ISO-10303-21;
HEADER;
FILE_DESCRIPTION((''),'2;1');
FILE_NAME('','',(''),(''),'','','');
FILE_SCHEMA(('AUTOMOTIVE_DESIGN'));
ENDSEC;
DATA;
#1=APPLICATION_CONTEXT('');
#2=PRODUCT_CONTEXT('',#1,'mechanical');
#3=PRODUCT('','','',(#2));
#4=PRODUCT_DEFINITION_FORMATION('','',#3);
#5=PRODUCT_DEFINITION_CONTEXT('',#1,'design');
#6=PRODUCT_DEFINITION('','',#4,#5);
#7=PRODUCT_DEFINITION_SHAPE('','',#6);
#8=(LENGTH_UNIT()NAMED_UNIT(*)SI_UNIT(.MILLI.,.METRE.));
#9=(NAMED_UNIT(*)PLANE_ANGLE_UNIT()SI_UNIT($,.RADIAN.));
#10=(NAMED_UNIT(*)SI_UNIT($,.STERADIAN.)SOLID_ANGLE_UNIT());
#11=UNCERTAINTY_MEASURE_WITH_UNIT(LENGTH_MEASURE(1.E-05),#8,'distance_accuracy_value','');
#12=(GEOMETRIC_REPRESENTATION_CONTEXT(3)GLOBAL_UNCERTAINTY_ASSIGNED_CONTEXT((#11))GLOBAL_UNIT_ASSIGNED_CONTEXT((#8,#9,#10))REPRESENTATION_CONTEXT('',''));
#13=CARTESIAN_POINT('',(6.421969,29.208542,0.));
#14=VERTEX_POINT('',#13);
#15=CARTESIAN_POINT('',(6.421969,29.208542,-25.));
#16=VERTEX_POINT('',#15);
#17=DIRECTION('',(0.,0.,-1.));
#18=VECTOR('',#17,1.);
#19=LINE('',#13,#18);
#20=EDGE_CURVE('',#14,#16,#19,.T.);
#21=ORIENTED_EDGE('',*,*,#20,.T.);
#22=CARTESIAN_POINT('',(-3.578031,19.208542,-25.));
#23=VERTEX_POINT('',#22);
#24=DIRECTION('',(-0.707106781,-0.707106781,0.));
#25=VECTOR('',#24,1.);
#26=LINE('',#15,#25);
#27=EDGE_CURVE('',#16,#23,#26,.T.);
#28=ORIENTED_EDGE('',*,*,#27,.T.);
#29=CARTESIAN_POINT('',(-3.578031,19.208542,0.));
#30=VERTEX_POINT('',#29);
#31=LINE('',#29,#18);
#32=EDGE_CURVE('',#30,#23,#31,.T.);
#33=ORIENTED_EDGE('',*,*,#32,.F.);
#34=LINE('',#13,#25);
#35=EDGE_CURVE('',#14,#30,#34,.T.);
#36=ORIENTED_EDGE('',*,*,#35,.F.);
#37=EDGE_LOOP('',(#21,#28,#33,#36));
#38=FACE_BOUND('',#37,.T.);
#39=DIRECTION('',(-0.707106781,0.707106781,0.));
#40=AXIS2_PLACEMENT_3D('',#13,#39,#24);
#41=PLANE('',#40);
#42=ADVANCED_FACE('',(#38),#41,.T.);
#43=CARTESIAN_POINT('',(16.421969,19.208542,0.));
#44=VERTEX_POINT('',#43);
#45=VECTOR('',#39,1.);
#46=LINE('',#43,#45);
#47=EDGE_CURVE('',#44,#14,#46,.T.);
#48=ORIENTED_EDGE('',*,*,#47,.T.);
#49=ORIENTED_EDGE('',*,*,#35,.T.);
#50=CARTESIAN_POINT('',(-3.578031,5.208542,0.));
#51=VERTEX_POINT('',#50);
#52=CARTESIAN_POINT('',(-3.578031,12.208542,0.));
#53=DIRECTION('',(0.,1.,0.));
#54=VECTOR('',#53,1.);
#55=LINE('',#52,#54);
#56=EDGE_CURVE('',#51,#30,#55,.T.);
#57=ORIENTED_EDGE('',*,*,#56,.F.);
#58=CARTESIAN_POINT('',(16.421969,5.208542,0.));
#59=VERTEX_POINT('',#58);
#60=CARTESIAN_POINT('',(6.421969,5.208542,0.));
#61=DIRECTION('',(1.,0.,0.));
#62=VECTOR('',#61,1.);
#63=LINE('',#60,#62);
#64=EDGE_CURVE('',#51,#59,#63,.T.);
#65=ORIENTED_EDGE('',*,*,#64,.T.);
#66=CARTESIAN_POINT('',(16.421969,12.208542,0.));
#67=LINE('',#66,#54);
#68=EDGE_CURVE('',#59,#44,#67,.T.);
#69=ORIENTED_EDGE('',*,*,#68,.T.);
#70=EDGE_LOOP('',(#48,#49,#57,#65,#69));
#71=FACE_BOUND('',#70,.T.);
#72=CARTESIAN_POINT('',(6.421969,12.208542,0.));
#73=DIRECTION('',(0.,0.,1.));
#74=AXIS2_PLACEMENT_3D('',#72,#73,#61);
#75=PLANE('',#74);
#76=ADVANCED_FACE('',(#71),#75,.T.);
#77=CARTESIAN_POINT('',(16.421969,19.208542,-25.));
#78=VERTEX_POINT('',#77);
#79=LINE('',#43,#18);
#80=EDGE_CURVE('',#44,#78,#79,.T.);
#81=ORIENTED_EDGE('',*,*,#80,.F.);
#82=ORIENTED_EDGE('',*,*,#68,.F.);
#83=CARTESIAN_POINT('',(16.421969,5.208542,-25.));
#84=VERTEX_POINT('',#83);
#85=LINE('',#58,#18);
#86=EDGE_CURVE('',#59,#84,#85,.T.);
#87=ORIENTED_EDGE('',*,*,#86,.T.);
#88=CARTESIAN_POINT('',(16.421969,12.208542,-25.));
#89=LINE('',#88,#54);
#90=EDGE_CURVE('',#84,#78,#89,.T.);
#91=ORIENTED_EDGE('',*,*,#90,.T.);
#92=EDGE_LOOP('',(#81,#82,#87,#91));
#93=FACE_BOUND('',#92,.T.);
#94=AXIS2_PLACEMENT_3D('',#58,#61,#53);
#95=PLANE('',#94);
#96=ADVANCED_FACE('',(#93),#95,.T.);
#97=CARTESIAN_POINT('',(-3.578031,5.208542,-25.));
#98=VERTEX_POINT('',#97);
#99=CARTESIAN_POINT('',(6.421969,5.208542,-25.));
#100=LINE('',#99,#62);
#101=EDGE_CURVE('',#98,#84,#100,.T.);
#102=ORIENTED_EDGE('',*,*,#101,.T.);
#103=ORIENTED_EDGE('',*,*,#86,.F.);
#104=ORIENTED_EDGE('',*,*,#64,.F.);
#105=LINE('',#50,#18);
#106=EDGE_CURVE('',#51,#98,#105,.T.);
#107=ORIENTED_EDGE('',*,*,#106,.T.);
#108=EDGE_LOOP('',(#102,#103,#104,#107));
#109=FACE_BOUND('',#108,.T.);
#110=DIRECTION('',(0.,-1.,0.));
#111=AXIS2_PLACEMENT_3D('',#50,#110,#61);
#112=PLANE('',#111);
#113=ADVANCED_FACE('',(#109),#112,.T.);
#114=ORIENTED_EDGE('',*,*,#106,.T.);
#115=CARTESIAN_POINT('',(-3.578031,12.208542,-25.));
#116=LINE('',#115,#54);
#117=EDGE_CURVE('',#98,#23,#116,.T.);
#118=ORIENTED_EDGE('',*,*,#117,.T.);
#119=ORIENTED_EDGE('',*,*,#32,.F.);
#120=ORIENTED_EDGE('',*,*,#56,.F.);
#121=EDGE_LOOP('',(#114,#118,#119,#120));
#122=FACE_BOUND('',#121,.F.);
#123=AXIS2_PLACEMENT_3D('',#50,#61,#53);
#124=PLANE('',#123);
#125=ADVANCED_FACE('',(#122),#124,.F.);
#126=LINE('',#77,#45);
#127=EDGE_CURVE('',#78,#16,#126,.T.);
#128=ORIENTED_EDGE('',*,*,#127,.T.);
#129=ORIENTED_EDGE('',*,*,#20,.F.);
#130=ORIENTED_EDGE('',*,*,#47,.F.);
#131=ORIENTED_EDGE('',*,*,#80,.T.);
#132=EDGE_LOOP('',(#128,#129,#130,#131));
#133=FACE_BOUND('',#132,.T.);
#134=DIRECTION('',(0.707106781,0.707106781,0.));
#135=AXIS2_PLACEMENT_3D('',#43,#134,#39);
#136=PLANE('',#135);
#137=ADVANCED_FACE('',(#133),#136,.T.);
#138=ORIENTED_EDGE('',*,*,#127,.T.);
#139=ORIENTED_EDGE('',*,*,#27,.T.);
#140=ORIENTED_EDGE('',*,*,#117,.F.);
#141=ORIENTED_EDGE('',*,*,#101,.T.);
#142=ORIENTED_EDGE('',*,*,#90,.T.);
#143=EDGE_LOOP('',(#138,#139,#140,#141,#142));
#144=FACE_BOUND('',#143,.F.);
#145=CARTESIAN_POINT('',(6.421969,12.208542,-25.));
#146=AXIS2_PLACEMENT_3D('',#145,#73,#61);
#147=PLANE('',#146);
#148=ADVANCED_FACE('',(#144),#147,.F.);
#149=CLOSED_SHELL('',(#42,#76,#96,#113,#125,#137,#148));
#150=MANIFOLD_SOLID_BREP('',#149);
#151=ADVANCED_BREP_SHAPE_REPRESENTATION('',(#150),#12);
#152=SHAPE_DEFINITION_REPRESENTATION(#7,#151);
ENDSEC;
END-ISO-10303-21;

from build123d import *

# Parameters (mm, degrees)
F0_W     = 20
F0_H     = 14
F1_DEPTH = 25


with BuildPart() as f1:
    # F0 (on Top) → F1 (new body)
    with BuildSketch(Plane.XY):
        with Locations((6.421969, 12.208542)):
            Rectangle(F0_W, F0_H)
        Polygon((6.421969, 29.208542), (-3.578031, 19.208542), (16.421969, 19.208542), align=None)
    extrude(amount=-F1_DEPTH)


solid = f1.part
